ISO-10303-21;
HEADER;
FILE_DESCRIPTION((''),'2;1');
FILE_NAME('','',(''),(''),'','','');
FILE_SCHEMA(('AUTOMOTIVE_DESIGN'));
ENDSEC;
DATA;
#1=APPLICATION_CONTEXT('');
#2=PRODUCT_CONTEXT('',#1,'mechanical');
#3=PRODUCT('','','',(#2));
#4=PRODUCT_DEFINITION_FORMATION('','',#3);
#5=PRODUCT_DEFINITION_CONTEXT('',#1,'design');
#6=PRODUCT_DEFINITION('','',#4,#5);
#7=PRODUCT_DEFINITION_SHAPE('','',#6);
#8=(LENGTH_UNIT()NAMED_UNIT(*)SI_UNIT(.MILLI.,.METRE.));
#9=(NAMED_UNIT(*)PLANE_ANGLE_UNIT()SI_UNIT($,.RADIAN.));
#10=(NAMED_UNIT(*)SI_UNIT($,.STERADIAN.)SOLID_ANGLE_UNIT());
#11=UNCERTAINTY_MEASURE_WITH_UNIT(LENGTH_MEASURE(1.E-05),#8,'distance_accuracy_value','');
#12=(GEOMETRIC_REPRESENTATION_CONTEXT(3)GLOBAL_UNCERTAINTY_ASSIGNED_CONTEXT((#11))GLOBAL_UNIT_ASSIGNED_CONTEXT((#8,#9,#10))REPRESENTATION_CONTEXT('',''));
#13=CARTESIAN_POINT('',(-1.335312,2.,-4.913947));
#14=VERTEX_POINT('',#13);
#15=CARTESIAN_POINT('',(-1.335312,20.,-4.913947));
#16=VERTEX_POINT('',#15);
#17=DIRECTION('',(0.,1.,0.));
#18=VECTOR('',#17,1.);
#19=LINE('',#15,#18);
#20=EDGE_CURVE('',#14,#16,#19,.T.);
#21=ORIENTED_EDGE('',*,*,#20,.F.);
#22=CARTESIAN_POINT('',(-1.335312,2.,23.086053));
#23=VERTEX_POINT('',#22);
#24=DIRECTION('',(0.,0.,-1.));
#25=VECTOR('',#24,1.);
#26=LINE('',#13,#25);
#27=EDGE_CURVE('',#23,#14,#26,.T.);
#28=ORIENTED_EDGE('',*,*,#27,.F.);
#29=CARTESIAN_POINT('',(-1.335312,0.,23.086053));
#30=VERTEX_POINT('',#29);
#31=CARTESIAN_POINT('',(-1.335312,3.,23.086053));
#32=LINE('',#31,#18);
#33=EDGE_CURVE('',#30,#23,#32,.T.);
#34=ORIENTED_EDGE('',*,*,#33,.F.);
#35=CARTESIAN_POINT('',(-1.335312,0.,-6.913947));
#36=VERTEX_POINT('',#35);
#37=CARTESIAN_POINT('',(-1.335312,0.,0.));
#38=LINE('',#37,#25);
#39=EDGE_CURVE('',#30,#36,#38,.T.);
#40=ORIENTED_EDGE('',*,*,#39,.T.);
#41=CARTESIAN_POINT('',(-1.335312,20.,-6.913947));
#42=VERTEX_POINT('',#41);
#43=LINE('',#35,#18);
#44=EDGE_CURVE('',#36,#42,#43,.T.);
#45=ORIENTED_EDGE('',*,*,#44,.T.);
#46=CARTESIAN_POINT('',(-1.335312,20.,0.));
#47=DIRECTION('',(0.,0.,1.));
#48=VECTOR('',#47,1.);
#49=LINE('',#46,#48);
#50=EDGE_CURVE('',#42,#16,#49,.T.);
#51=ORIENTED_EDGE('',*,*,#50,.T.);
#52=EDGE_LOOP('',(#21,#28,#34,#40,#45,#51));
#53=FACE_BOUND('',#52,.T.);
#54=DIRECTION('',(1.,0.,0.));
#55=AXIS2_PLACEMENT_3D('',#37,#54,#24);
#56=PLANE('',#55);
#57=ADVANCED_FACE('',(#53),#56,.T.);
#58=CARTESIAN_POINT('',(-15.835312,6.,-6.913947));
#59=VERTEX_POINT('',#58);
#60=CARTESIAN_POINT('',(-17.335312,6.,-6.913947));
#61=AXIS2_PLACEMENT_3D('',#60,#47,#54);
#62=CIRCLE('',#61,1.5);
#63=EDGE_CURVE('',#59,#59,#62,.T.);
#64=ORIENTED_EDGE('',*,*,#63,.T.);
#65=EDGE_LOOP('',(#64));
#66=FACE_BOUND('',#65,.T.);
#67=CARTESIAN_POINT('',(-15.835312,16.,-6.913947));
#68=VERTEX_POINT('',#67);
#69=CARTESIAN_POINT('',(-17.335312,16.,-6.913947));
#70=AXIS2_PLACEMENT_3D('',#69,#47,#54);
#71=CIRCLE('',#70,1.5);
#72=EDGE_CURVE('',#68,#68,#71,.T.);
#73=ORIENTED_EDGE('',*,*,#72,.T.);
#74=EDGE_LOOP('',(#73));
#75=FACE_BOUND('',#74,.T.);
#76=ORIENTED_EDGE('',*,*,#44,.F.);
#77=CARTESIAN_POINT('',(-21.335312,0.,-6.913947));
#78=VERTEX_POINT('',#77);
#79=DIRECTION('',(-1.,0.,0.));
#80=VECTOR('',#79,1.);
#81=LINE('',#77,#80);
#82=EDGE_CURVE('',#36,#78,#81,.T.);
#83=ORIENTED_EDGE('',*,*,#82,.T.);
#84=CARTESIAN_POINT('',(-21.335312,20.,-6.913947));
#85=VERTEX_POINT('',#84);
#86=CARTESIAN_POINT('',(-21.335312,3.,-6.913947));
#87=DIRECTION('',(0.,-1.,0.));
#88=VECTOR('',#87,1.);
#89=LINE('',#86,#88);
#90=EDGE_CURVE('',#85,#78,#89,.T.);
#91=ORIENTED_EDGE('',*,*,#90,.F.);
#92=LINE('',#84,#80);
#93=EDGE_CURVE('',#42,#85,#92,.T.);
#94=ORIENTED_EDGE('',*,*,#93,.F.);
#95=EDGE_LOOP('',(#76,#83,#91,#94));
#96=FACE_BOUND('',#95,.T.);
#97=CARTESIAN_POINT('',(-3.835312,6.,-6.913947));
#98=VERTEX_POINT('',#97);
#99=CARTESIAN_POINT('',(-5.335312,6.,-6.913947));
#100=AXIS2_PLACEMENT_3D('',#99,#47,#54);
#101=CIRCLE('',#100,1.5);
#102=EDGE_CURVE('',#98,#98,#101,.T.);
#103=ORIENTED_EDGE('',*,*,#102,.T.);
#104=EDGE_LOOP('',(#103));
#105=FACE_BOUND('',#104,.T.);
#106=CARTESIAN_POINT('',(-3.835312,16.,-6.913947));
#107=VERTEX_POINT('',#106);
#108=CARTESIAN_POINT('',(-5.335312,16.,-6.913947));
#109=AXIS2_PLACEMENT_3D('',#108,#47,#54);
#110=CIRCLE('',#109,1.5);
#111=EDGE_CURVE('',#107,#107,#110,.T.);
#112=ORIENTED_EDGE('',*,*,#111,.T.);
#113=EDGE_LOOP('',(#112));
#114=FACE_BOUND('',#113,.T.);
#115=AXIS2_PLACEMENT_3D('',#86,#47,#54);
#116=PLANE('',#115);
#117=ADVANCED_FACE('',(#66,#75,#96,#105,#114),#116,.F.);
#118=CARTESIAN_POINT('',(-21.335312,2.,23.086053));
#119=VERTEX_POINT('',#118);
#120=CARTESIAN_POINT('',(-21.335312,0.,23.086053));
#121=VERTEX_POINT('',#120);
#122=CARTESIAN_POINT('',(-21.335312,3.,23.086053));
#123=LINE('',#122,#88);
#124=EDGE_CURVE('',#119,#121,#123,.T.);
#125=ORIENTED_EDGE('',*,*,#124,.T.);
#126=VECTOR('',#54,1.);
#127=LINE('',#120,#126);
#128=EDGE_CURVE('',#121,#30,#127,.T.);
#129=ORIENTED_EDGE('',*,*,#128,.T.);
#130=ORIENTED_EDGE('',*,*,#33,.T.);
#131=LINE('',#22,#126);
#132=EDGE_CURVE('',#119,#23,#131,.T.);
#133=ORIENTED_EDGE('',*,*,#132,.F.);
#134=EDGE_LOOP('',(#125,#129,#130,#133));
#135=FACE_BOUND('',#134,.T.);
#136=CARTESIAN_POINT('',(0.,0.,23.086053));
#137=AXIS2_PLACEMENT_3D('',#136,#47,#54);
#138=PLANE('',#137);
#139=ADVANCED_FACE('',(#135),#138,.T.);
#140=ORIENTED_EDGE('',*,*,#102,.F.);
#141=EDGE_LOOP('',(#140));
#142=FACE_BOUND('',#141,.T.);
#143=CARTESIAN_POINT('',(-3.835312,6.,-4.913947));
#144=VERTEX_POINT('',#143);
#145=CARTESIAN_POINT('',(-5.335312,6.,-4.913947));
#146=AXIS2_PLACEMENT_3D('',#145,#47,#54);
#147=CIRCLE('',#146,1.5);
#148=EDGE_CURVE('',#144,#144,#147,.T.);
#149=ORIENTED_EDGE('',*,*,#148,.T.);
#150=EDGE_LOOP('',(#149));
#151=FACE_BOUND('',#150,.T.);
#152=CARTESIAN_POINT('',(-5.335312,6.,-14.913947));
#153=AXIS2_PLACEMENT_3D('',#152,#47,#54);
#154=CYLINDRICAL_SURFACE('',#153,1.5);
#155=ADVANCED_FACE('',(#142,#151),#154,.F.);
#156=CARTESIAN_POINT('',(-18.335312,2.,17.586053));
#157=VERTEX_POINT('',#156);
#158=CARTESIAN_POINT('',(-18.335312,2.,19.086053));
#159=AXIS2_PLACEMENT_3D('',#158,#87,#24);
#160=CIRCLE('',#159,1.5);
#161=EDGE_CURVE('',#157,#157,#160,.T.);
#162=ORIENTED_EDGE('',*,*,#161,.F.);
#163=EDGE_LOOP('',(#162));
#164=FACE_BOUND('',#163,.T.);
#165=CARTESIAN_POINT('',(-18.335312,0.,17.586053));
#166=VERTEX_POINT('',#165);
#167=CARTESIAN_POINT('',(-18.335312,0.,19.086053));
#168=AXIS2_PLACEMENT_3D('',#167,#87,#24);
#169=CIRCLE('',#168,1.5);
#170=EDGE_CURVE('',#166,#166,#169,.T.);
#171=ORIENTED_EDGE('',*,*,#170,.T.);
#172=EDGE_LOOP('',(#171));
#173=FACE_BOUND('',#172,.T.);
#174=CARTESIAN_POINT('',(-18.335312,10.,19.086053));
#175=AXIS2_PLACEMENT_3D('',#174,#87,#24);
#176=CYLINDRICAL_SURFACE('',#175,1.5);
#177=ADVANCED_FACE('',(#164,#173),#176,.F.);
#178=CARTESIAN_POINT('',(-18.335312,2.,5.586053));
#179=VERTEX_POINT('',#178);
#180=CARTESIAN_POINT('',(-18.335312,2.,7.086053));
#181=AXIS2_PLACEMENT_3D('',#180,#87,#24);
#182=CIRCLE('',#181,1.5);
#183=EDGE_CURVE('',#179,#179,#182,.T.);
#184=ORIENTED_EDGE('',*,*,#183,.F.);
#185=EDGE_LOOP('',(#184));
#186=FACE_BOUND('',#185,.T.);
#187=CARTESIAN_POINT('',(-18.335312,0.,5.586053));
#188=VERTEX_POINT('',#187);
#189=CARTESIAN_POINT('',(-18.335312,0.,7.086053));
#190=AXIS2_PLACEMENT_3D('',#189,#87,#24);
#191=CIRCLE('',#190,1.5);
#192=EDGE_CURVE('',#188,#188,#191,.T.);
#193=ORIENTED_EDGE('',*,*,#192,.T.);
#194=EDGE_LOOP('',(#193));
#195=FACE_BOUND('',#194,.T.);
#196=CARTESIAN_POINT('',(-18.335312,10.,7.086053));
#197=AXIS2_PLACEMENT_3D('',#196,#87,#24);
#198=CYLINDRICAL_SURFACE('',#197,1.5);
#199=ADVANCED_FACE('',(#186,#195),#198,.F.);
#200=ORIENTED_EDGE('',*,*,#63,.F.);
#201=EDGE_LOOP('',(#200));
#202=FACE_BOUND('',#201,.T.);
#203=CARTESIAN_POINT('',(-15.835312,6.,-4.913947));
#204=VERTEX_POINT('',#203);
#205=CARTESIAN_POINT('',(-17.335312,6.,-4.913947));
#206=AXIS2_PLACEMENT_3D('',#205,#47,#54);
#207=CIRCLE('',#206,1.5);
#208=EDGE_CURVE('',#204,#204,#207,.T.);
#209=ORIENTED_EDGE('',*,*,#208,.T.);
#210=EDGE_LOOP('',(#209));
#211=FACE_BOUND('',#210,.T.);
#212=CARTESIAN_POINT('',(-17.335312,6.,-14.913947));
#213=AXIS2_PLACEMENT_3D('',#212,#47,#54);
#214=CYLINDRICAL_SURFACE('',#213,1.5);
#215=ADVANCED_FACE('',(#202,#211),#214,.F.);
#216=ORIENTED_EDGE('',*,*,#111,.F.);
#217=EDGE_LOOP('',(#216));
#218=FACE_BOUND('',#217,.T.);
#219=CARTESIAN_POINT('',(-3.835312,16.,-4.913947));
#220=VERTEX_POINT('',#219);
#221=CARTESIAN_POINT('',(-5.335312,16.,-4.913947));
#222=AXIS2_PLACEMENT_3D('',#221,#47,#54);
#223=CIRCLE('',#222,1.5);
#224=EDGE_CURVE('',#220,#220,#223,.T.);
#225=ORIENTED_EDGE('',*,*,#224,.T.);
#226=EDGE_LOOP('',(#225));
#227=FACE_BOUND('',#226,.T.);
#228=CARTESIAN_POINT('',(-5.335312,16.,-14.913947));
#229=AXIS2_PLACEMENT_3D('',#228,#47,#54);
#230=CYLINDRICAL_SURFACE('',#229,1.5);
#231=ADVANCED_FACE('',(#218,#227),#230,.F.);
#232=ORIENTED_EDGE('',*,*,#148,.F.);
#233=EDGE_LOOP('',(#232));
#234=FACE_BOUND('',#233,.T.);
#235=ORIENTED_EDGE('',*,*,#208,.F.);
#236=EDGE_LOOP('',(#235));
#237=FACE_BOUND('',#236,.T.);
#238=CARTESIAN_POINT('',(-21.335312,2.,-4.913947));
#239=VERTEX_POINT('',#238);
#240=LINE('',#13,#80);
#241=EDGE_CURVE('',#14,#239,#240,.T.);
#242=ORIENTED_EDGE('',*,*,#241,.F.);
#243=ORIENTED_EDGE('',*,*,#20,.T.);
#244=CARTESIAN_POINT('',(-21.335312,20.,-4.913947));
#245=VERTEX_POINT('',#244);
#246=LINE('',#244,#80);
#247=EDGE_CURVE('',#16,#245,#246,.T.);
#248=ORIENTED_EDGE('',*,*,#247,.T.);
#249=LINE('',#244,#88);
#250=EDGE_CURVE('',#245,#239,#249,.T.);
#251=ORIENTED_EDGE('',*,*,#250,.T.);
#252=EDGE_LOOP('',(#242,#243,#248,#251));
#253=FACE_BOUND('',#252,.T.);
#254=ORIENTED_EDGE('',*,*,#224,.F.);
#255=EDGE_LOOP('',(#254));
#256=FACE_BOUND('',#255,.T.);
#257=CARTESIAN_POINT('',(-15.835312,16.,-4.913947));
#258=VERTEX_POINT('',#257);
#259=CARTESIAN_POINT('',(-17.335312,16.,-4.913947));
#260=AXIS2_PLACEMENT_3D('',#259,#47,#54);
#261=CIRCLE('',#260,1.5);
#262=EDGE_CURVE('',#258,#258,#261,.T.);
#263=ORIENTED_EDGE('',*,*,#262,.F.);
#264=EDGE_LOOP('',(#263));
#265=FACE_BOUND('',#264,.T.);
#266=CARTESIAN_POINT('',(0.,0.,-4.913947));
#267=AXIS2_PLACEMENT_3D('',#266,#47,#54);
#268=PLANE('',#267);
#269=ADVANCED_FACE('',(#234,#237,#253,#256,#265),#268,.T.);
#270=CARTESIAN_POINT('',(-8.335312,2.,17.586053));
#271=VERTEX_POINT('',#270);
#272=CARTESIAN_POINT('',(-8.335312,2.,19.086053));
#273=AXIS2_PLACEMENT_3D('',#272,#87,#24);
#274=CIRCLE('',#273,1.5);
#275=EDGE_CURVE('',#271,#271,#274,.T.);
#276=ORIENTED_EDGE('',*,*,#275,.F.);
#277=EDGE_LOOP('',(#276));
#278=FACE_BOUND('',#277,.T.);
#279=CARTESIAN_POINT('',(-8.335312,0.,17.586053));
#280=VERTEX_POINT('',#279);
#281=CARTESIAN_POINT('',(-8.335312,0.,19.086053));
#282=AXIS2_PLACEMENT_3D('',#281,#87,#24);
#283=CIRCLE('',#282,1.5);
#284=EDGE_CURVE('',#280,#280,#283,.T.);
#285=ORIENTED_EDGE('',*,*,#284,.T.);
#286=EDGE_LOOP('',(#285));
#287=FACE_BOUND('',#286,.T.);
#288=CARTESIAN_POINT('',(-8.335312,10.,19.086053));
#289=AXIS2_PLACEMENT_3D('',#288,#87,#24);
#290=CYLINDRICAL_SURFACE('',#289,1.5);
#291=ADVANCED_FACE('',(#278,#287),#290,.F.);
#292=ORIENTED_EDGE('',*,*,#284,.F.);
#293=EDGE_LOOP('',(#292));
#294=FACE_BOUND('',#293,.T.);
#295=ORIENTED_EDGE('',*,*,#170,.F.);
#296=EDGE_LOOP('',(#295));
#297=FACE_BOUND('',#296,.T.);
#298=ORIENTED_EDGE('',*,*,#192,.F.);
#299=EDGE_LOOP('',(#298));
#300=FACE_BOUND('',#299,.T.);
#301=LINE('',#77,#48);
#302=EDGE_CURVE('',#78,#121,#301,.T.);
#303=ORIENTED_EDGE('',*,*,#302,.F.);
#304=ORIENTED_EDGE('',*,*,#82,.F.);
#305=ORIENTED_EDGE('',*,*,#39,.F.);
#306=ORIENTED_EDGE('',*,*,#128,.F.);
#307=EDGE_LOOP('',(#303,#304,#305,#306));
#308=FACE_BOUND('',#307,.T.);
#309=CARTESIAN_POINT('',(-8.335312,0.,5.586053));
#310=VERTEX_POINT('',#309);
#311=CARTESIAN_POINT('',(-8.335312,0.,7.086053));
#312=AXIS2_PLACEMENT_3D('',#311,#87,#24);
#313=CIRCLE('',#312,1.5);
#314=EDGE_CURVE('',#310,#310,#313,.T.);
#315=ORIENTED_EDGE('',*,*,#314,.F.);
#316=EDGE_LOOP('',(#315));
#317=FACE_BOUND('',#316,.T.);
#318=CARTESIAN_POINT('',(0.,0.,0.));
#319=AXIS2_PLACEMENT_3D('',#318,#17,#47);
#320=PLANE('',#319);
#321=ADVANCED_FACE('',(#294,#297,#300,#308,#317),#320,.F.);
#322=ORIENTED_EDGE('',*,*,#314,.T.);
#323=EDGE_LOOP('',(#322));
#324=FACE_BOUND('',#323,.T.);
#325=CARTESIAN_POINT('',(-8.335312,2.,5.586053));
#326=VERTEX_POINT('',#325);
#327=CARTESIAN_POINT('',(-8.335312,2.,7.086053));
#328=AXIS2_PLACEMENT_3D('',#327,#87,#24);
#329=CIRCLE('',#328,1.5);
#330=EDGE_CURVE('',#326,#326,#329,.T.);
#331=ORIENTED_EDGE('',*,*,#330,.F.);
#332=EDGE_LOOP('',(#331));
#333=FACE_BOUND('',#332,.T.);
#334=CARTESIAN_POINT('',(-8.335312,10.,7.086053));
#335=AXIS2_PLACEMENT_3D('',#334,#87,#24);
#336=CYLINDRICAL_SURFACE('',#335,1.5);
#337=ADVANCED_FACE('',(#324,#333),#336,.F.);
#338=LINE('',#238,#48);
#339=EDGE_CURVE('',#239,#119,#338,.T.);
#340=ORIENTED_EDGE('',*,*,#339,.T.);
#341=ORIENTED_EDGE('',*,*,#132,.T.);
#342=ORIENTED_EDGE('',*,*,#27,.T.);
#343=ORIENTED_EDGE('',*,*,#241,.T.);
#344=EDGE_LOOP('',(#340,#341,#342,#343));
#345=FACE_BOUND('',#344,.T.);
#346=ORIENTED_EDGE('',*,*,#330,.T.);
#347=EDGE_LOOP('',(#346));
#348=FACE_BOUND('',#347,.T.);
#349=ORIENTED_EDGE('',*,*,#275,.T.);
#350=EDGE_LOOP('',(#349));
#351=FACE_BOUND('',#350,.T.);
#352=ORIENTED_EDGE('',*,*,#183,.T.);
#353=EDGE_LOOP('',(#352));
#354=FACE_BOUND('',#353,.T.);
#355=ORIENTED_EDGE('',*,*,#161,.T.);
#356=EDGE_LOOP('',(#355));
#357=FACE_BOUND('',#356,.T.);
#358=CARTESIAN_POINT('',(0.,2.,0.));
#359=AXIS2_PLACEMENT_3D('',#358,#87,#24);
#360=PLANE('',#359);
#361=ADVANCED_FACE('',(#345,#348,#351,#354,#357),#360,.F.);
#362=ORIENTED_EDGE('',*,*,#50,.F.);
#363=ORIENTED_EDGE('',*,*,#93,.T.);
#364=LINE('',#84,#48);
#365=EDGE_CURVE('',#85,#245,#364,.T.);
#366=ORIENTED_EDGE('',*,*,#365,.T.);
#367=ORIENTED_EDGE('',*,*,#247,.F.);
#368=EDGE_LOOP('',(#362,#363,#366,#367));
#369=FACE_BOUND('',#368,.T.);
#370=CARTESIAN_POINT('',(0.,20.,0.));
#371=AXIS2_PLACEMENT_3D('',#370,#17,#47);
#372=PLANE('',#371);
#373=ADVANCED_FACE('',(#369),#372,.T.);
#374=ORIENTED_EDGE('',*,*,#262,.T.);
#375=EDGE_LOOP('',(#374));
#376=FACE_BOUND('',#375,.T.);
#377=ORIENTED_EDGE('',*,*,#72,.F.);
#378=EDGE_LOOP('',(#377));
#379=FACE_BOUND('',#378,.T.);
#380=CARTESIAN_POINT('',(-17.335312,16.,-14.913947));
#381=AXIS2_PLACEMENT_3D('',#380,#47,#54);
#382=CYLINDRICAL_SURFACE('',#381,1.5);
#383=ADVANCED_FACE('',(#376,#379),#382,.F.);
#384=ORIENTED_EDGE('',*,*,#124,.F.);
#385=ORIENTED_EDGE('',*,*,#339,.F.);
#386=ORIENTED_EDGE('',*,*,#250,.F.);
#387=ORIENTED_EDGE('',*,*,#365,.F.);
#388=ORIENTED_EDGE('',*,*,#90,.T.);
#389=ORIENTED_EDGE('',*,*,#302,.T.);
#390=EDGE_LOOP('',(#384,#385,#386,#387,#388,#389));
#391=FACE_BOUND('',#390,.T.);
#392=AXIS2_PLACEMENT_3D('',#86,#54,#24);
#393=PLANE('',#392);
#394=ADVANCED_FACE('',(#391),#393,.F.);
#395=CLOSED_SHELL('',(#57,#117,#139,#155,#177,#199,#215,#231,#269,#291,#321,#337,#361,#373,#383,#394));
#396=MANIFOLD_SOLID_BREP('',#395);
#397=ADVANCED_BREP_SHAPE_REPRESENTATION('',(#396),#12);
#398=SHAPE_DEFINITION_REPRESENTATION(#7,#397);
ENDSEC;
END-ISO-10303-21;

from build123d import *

# Parameters (mm, degrees)
SKETCH_1_W          = 30
SKETCH_1_H          = 40
EXTRUDE_1_DEPTH     = 3
SKETCH_2_W          = 30
SKETCH_2_H          = 3
EXTRUDE_2_DEPTH     = 17
SKETCH_5_W          = 37
SKETCH_5_H          = 3
CUT_EXTRUDE_3_DEPTH = 10
SKETCH_6_W          = 20
SKETCH_6_H          = 3
CUT_EXTRUDE_4_DEPTH = 10
SKETCH_7_W          = 20
SKETCH_7_H          = 17
CUT_EXTRUDE_5_DEPTH = 1
SKETCH_8_W          = 20
SKETCH_8_H          = 28
CUT_EXTRUDE_6_DEPTH = 1
SKETCH_10_R         = 1.5
CUT_EXTRUDE_7_DEPTH = 10
SKETCH_11_R         = 1.5
CUT_EXTRUDE_8_DEPTH = 10


with BuildPart() as part:
    # 草图1 → 凸台-拉伸1 (new body)
    with BuildSketch(Plane(origin=(0, 0, 0), x_dir=(1, 0, 0), z_dir=(0, 1, 0))):
        with Locations((-6.335311573, -13.086053412)):
            Rectangle(SKETCH_1_W, SKETCH_1_H)
    extrude(amount=EXTRUDE_1_DEPTH)

    # 草图2 → 凸台-拉伸2 (add)
    with BuildSketch(Plane(origin=(0, 3, 0), x_dir=(1, 0, 0), z_dir=(0, 1, 0))):
        with Locations((-6.335311573, 5.413946588)):
            Rectangle(SKETCH_2_W, SKETCH_2_H)
    extrude(amount=EXTRUDE_2_DEPTH)

    # 草图5 → 切除-拉伸3 (cut)
    with BuildSketch(Plane(origin=(8.664688427, 0, 0), x_dir=(0, 0, -1), z_dir=(1, 0, 0))):
        Polygon((6.913946588, 20), (3.913946588, 20), (3.913946588, 3), (3.913946588, 0), (6.913946588, 0), align=None)
        with Locations((-14.586053412, 1.5)):
            Rectangle(SKETCH_5_W, SKETCH_5_H)
    extrude(amount=-CUT_EXTRUDE_3_DEPTH, mode=Mode.SUBTRACT)

    # 草图6 → 切除-拉伸4 (cut)
    with BuildSketch(Plane.XY.offset(33.086053412)):
        with Locations((-11.335311573, 1.5)):
            Rectangle(SKETCH_6_W, SKETCH_6_H)
    extrude(amount=-CUT_EXTRUDE_4_DEPTH, mode=Mode.SUBTRACT)

    # 草图7 → 切除-拉伸5 (cut)
    with BuildSketch(Plane.XY.offset(-3.913946588)):
        with Locations((-11.335311573, 11.5)):
            Rectangle(SKETCH_7_W, SKETCH_7_H)
    extrude(amount=-CUT_EXTRUDE_5_DEPTH, mode=Mode.SUBTRACT)

    # 草图8 → 切除-拉伸6 (cut)
    with BuildSketch(Plane(origin=(0, 3, 0), x_dir=(1, 0, 0), z_dir=(0, 1, 0))):
        with Locations((-11.335311573, -9.086053412)):
            Rectangle(SKETCH_8_W, SKETCH_8_H)
    extrude(amount=-CUT_EXTRUDE_6_DEPTH, mode=Mode.SUBTRACT)

    # 草图10 → 切除-拉伸7 (cut)
    with BuildSketch(Plane.XZ):
        with Locations((-8.335311573, 7.086053412)):
            Circle(SKETCH_10_R)
        with Locations((-8.335311573, 19.086053412)):
            Circle(SKETCH_10_R)
        with Locations((-18.335311573, 7.086053412)):
            Circle(SKETCH_10_R)
        with Locations((-18.335311573, 19.086053412)):
            Circle(SKETCH_10_R)
    extrude(amount=-CUT_EXTRUDE_7_DEPTH, mode=Mode.SUBTRACT)

    # 草图11 → 切除-拉伸8 (cut)
    with BuildSketch(Plane.XY.offset(-4.913946588)):
        with Locations((-5.335311573, 6)):
            Circle(SKETCH_11_R)
        with Locations((-17.335311573, 6)):
            Circle(SKETCH_11_R)
        with Locations((-5.335311573, 16)):
            Circle(SKETCH_11_R)
        with Locations((-17.335311573, 16)):
            Circle(SKETCH_11_R)
    extrude(amount=-CUT_EXTRUDE_8_DEPTH, mode=Mode.SUBTRACT)


solid = part.part
